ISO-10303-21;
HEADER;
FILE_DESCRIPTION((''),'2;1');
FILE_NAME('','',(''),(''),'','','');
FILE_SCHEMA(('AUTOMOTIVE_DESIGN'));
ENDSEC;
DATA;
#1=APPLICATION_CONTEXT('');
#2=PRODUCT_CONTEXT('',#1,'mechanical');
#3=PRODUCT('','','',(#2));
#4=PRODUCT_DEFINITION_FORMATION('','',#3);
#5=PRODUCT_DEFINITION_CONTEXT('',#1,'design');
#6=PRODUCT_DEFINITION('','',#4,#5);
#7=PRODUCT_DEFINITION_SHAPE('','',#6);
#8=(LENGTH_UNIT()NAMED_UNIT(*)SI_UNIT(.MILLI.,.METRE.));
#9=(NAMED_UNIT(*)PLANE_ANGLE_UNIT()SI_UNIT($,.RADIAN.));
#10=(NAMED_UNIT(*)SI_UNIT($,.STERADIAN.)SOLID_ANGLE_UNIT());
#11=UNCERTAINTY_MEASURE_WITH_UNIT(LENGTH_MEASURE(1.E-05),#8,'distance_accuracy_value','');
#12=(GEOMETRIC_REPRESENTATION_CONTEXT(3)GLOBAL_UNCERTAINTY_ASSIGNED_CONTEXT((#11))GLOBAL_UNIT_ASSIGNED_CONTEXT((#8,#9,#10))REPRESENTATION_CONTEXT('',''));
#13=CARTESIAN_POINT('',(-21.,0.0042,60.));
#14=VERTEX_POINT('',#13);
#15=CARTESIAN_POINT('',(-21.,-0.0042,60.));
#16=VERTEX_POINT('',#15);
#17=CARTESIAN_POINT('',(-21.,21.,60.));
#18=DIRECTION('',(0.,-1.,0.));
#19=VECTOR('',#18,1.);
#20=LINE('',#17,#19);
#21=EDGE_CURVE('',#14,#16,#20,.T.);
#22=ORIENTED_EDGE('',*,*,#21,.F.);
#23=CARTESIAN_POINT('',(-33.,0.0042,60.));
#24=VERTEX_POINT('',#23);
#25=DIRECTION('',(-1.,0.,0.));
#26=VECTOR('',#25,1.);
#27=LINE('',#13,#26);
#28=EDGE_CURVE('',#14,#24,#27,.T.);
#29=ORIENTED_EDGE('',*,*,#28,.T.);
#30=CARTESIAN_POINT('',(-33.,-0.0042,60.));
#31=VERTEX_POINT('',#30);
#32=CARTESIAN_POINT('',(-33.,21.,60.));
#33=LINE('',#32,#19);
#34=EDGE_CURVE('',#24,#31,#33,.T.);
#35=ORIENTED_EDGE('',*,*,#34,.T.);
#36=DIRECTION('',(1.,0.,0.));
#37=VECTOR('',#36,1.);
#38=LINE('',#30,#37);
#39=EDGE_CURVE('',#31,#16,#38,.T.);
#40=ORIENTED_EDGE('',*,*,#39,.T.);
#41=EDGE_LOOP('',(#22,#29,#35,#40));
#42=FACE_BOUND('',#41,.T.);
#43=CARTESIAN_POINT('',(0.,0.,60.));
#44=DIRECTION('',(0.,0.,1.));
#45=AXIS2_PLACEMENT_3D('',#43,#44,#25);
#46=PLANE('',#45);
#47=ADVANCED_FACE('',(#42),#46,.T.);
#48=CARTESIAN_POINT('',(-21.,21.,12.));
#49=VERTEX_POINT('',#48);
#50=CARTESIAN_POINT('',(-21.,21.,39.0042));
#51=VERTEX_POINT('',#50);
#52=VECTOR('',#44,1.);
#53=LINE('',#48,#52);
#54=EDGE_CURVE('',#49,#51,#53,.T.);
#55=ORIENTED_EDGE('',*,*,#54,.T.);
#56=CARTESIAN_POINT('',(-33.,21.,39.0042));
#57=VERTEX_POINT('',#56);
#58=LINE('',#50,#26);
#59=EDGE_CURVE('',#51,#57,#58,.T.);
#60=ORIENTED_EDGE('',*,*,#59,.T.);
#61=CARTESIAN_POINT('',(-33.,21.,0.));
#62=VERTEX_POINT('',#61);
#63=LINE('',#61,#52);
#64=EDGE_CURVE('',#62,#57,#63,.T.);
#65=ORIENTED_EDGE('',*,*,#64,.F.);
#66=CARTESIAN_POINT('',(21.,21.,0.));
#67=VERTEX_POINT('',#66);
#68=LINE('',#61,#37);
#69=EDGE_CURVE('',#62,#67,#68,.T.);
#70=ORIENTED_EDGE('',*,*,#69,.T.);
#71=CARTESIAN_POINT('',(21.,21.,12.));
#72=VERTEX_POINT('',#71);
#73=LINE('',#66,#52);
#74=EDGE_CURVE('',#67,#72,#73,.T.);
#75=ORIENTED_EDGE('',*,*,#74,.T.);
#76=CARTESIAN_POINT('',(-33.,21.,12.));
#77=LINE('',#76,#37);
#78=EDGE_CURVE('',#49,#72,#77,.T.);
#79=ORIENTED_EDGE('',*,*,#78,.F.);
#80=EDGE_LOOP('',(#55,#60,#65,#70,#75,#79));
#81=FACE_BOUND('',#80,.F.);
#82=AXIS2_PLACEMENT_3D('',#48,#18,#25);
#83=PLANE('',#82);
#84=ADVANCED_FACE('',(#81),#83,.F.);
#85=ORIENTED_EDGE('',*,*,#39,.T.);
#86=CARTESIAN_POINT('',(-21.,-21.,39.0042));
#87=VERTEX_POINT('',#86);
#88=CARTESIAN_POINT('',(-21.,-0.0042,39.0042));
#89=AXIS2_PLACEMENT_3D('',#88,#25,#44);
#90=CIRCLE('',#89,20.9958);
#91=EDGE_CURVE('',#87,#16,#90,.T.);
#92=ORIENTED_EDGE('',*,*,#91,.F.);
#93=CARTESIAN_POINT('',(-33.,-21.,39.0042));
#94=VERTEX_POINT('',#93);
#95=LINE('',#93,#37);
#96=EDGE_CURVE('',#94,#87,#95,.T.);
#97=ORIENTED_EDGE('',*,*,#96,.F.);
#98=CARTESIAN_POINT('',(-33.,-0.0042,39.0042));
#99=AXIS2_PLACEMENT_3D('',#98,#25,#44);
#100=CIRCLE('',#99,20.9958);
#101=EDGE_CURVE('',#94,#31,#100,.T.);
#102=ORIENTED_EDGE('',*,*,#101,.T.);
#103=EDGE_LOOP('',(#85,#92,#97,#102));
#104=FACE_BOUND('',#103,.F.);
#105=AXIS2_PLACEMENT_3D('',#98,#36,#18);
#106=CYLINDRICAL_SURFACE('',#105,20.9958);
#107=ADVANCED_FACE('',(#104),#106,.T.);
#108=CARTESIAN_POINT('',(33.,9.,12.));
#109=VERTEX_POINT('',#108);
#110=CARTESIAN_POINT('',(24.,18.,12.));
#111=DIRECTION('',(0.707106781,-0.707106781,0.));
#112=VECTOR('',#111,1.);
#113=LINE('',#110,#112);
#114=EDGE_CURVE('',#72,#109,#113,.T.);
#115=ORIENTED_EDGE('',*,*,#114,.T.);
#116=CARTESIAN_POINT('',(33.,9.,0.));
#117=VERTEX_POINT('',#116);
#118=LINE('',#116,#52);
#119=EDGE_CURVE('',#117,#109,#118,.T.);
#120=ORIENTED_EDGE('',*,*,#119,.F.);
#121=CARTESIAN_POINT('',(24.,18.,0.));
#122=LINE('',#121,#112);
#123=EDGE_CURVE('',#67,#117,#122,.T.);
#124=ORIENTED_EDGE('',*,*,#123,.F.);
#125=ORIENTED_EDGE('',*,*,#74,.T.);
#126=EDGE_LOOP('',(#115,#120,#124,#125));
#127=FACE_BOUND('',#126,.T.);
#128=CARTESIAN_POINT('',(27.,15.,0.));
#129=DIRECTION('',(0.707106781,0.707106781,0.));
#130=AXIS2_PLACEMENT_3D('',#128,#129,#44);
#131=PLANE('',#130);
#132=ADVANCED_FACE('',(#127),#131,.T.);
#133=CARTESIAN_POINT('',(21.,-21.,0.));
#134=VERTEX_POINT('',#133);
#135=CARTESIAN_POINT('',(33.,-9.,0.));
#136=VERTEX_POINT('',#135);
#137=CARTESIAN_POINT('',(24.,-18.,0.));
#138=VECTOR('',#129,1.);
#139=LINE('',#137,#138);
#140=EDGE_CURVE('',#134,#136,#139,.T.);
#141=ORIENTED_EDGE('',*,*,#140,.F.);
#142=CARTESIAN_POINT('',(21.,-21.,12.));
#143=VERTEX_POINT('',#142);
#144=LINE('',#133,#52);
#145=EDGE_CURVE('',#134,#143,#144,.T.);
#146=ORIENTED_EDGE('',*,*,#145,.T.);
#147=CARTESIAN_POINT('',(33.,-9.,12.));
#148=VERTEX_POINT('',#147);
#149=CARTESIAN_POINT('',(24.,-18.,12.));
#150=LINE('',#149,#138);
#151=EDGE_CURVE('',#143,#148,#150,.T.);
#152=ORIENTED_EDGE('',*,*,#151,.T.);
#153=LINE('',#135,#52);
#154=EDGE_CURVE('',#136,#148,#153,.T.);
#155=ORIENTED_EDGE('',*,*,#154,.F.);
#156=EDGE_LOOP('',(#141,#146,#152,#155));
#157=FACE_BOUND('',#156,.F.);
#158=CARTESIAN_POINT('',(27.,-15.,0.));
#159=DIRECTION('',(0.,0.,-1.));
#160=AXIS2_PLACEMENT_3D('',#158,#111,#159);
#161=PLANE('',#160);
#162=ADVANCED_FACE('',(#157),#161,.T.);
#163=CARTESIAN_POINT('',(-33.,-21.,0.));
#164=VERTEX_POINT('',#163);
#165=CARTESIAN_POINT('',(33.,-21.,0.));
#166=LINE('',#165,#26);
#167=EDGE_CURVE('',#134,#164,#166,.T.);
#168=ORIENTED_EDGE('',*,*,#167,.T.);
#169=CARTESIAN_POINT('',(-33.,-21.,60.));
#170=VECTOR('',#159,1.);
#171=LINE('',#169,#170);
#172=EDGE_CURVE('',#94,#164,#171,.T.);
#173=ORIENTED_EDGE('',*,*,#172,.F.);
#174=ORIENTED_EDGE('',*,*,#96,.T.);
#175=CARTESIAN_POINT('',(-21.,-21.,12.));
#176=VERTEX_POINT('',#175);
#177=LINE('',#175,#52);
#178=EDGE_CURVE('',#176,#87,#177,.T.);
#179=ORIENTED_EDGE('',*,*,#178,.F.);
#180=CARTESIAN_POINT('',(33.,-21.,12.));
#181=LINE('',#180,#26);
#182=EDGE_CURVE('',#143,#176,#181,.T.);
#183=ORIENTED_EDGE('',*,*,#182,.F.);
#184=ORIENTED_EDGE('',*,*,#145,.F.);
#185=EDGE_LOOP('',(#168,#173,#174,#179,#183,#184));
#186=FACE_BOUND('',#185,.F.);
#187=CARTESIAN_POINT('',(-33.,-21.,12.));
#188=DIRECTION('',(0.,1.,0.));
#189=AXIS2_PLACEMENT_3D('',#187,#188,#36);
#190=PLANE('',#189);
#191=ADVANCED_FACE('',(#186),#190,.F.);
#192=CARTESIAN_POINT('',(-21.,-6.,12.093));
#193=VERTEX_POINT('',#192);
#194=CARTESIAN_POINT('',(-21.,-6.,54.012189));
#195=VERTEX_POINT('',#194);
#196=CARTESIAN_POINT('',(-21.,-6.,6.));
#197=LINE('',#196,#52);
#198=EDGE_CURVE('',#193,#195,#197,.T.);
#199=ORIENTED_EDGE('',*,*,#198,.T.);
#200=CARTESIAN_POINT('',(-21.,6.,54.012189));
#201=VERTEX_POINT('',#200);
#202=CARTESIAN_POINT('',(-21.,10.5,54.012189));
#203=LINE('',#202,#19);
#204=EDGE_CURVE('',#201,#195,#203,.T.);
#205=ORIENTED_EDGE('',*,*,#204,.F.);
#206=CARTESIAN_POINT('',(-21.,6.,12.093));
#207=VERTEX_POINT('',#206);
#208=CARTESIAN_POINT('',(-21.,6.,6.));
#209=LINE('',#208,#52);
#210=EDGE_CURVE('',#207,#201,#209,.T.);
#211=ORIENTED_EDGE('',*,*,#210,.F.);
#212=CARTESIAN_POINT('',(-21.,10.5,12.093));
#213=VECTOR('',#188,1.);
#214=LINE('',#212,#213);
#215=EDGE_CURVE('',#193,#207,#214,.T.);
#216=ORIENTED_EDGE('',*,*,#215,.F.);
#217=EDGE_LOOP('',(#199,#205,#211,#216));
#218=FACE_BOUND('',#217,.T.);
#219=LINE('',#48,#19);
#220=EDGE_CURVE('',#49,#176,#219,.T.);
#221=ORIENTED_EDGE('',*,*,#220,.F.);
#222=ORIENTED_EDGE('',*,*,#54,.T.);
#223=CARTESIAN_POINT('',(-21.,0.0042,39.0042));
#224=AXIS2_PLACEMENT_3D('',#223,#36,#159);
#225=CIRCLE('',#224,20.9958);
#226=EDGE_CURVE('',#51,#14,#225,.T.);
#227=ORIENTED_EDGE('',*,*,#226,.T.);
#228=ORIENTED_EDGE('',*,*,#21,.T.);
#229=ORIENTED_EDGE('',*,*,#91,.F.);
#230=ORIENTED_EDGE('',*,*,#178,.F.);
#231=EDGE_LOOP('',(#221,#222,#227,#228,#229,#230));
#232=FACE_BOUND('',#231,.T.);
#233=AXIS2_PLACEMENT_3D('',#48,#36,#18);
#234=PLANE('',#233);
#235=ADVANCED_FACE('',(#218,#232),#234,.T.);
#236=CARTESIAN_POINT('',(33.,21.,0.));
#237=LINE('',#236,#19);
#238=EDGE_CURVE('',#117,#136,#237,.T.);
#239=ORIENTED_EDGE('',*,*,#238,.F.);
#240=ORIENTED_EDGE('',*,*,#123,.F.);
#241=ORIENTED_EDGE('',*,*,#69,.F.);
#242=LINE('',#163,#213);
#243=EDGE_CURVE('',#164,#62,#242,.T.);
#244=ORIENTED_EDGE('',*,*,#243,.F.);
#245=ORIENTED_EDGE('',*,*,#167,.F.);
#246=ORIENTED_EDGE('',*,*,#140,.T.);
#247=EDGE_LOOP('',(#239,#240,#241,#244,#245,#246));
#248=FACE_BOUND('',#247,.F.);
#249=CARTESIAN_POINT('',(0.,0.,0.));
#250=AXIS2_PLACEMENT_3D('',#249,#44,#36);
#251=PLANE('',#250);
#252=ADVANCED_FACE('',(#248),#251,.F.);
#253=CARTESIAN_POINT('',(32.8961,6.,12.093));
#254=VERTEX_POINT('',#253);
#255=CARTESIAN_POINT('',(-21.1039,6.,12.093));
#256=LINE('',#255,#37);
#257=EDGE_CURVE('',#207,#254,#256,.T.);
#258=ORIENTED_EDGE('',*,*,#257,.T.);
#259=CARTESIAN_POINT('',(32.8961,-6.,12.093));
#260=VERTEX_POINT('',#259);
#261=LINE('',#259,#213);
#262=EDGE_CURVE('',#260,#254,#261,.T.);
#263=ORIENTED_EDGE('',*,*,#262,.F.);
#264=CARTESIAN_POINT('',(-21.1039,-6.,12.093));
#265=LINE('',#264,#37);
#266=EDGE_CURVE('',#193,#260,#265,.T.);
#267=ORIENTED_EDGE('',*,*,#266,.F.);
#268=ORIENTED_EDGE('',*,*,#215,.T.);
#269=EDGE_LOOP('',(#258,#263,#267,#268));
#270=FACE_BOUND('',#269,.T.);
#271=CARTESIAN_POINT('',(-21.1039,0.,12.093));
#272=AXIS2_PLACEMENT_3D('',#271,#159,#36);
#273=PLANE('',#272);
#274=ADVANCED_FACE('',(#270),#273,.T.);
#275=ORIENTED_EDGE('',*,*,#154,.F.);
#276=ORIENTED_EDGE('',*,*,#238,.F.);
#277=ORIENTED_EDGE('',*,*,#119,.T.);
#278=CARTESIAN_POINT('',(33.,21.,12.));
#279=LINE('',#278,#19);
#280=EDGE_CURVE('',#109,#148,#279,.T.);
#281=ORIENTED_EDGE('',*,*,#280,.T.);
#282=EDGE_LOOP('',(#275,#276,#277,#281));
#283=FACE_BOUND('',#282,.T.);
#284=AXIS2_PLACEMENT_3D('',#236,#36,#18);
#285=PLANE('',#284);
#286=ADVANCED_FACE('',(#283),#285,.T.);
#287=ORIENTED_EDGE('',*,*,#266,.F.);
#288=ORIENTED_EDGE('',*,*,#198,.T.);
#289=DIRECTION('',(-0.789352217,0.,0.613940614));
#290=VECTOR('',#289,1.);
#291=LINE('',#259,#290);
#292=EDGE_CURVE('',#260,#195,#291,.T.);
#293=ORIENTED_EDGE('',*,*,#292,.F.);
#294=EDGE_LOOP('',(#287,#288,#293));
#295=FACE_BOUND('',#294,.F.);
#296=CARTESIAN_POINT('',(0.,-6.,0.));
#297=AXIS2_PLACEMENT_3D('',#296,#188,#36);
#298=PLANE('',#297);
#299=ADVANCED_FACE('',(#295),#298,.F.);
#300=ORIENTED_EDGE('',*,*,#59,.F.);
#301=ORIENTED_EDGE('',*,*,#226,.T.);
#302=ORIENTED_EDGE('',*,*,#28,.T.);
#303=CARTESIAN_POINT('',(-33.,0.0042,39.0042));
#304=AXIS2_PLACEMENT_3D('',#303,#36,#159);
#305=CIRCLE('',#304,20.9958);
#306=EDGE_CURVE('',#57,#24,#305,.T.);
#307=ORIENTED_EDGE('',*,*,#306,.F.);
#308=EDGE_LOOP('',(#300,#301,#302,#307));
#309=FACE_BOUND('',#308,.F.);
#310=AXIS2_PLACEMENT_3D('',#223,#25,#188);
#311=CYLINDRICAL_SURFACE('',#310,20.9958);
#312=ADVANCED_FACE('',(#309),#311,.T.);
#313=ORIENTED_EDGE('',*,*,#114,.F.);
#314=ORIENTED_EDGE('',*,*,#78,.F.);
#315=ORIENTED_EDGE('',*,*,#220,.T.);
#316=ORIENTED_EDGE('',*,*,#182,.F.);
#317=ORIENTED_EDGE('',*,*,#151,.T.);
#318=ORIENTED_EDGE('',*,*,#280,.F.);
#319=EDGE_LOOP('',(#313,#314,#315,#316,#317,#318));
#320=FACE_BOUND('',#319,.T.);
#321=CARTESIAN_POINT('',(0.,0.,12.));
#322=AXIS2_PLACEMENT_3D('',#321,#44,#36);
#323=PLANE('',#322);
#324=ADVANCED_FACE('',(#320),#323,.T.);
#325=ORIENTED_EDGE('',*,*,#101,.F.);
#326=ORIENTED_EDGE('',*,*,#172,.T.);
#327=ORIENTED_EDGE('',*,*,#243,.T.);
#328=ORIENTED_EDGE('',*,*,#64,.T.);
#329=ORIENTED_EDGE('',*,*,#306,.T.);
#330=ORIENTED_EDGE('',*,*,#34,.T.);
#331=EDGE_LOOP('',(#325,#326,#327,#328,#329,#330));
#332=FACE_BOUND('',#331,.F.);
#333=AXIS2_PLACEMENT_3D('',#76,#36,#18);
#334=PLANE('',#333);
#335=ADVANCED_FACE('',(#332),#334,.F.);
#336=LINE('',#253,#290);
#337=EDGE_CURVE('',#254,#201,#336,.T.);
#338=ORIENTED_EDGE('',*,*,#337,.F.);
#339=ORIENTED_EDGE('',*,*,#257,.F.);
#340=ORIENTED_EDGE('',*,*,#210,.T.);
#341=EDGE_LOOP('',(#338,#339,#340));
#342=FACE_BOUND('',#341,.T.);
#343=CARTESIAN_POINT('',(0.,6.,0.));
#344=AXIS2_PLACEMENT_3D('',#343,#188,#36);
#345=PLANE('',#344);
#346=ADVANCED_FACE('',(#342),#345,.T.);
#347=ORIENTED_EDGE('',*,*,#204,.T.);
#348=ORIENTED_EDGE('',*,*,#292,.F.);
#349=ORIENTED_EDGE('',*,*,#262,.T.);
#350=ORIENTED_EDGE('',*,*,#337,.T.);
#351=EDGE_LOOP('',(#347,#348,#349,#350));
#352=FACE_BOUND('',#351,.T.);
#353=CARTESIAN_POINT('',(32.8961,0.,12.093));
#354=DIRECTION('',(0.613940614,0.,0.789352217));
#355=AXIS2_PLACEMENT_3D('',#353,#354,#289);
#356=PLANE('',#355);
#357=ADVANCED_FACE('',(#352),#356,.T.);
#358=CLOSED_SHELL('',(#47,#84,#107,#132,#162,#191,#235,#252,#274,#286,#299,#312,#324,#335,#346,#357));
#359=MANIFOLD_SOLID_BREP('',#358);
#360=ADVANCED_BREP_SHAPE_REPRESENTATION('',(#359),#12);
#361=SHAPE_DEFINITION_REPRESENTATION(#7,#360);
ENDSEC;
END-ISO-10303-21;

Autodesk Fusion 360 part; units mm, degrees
sketch "Sketch1" plane through (0, 0, 0) normal (0, 0, 1) x (1, 0, 0)
  line L0 (33, -21) -> (-33, -21)
  line L1 (-33, -21) -> (-33, 21)
  line L2 (-33, 21) -> (33, 21)
  line L3 (33, 21) -> (33, -21)
  line L4 (33, -21) -> (-33, 21) construction
  line L5 (-33, -21) -> (33, 21) construction
  dimension "d1" = 66
  dimension "d2" = 42
extrude "Extrude1" add sketch "Sketch1" along normal blind 12
chamfer "Chamfer1" distance 12 angle 45 2 edges at (33, -21, 6) (33, 21, 6)
sketch "Sketch2" plane through (0, 0, 12) normal (0, 0, 1) x (-1, 0, 0)
  line L0 (-33, -9) -> (-21, -21)
  line L1 (-21, -21) -> (33, -21)
  line L2 (33, -21) -> (33, 21)
  line L3 (33, 21) -> (-21, 21)
  line L4 (-21, 21) -> (-33, 9)
  line L5 (-33, 9) -> (-33, -9)
  line L6 (33, -21) -> (21, -21)
  line L7 (21, -21) -> (21, 21)
  line L8 (21, 21) -> (33, 21)
  line L9 (33, 21) -> (33, -21)
  dimension "d6" = 12
extrude "Extrude2" add sketch "Sketch2" along normal blind 48 contours L1 L2 L3 L6 L7 L8 L9
fillet "Fillet1" radius 21 2 edges at (-27, -21, 60) (-27, 21, 60)
sketch "Sketch3" plane through (0, 0, 0) normal (0, 1, 0) x (1, 0, 0)
  line L0 (-21.1039, -54.093) -> (-21.1039, -12.093)
  line L1 (-21.1039, -12.093) -> (32.8961, -12.093)
  line L2 (32.8961, -12.093) -> (-21.1039, -54.093)
  dimension "d10" = 42
  dimension "d11" = 54
extrude "Extrude3" add sketch "Sketch3" along normal mid plane 12
equation "d7 = 60 mm - 12 mm"
equation "d11 = 66 mm - 12 mm"
